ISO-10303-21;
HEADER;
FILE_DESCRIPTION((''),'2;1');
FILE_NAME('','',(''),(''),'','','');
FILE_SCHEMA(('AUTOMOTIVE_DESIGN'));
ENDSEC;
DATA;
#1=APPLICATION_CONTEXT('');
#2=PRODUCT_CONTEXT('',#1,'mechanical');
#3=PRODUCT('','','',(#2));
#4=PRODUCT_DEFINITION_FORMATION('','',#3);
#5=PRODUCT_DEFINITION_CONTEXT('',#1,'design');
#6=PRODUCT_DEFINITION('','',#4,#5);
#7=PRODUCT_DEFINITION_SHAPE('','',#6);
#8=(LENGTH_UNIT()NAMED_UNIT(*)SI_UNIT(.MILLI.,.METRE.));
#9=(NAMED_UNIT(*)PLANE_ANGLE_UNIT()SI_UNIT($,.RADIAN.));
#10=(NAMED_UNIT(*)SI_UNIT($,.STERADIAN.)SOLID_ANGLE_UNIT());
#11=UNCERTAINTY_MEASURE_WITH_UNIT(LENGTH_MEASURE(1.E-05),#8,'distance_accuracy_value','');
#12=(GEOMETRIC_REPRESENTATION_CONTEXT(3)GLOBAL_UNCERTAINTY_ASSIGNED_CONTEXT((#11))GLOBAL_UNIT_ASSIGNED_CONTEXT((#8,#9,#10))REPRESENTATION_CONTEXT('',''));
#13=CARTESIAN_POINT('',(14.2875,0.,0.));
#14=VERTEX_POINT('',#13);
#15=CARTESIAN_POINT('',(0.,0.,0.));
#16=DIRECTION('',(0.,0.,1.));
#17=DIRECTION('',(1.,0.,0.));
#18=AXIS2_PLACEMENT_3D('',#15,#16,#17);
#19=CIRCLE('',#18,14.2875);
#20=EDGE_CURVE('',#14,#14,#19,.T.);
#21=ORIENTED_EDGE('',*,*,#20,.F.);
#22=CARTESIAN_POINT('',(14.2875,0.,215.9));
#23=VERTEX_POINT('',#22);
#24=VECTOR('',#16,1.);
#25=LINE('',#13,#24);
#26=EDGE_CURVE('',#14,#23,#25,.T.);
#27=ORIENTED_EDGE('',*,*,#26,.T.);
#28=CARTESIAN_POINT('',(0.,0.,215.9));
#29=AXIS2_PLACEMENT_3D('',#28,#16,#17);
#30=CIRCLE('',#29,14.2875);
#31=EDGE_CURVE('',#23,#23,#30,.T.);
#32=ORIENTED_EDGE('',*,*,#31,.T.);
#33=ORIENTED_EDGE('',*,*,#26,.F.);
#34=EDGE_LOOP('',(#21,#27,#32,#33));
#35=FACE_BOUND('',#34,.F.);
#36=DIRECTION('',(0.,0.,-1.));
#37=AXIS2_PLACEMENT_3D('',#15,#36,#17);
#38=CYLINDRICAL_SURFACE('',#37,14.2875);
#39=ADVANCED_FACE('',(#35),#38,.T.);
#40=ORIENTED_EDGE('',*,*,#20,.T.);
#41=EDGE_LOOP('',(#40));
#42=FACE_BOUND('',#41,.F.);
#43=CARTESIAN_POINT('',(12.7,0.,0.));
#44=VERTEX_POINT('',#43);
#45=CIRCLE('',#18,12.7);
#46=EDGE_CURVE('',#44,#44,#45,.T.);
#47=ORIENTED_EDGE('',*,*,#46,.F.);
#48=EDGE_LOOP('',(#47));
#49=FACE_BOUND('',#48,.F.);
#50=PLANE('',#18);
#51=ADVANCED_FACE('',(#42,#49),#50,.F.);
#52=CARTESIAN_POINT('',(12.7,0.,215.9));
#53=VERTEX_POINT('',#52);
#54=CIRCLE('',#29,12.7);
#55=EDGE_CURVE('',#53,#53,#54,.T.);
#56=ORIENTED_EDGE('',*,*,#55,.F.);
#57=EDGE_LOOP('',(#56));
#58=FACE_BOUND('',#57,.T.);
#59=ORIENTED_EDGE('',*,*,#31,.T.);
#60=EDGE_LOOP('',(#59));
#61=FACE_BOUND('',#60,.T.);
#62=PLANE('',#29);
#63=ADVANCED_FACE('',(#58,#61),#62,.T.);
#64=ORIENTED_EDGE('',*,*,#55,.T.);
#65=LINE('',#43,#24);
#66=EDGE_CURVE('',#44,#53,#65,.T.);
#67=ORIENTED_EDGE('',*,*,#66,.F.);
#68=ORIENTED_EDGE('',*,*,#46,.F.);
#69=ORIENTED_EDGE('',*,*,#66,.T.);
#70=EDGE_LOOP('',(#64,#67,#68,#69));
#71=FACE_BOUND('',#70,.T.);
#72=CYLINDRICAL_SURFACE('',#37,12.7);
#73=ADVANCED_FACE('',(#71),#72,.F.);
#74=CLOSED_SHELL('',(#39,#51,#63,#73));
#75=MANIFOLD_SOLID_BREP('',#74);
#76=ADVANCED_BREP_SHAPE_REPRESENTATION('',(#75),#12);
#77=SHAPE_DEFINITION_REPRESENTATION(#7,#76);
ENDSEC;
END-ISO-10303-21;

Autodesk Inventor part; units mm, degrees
ref_plane "YZ Plane" through (0, 0, 0) normal (1, 0, 0) x (0, 1, 0)
ref_plane "XZ Plane" through (0, 0, 0) normal (0, 1, 0) x (-1, 0, 0)
ref_plane "XY Plane" through (0, 0, 0) normal (0, 0, 1) x (1, 0, 0)
sketch "Sketch1" plane through (0, 0, 0) normal (0, 0, 1) x (1, 0, 0)
  circle A0 centre (0, 0) radius 14.2875
  circle A1 centre (0, 0) radius 12.7
  dimension "d0" = 28.575
  dimension "d1" = 25.4
extrude "Extrusion1" add sketch "Sketch1" along normal blind 215.9
properties part number "WingBoomReinforcment"
